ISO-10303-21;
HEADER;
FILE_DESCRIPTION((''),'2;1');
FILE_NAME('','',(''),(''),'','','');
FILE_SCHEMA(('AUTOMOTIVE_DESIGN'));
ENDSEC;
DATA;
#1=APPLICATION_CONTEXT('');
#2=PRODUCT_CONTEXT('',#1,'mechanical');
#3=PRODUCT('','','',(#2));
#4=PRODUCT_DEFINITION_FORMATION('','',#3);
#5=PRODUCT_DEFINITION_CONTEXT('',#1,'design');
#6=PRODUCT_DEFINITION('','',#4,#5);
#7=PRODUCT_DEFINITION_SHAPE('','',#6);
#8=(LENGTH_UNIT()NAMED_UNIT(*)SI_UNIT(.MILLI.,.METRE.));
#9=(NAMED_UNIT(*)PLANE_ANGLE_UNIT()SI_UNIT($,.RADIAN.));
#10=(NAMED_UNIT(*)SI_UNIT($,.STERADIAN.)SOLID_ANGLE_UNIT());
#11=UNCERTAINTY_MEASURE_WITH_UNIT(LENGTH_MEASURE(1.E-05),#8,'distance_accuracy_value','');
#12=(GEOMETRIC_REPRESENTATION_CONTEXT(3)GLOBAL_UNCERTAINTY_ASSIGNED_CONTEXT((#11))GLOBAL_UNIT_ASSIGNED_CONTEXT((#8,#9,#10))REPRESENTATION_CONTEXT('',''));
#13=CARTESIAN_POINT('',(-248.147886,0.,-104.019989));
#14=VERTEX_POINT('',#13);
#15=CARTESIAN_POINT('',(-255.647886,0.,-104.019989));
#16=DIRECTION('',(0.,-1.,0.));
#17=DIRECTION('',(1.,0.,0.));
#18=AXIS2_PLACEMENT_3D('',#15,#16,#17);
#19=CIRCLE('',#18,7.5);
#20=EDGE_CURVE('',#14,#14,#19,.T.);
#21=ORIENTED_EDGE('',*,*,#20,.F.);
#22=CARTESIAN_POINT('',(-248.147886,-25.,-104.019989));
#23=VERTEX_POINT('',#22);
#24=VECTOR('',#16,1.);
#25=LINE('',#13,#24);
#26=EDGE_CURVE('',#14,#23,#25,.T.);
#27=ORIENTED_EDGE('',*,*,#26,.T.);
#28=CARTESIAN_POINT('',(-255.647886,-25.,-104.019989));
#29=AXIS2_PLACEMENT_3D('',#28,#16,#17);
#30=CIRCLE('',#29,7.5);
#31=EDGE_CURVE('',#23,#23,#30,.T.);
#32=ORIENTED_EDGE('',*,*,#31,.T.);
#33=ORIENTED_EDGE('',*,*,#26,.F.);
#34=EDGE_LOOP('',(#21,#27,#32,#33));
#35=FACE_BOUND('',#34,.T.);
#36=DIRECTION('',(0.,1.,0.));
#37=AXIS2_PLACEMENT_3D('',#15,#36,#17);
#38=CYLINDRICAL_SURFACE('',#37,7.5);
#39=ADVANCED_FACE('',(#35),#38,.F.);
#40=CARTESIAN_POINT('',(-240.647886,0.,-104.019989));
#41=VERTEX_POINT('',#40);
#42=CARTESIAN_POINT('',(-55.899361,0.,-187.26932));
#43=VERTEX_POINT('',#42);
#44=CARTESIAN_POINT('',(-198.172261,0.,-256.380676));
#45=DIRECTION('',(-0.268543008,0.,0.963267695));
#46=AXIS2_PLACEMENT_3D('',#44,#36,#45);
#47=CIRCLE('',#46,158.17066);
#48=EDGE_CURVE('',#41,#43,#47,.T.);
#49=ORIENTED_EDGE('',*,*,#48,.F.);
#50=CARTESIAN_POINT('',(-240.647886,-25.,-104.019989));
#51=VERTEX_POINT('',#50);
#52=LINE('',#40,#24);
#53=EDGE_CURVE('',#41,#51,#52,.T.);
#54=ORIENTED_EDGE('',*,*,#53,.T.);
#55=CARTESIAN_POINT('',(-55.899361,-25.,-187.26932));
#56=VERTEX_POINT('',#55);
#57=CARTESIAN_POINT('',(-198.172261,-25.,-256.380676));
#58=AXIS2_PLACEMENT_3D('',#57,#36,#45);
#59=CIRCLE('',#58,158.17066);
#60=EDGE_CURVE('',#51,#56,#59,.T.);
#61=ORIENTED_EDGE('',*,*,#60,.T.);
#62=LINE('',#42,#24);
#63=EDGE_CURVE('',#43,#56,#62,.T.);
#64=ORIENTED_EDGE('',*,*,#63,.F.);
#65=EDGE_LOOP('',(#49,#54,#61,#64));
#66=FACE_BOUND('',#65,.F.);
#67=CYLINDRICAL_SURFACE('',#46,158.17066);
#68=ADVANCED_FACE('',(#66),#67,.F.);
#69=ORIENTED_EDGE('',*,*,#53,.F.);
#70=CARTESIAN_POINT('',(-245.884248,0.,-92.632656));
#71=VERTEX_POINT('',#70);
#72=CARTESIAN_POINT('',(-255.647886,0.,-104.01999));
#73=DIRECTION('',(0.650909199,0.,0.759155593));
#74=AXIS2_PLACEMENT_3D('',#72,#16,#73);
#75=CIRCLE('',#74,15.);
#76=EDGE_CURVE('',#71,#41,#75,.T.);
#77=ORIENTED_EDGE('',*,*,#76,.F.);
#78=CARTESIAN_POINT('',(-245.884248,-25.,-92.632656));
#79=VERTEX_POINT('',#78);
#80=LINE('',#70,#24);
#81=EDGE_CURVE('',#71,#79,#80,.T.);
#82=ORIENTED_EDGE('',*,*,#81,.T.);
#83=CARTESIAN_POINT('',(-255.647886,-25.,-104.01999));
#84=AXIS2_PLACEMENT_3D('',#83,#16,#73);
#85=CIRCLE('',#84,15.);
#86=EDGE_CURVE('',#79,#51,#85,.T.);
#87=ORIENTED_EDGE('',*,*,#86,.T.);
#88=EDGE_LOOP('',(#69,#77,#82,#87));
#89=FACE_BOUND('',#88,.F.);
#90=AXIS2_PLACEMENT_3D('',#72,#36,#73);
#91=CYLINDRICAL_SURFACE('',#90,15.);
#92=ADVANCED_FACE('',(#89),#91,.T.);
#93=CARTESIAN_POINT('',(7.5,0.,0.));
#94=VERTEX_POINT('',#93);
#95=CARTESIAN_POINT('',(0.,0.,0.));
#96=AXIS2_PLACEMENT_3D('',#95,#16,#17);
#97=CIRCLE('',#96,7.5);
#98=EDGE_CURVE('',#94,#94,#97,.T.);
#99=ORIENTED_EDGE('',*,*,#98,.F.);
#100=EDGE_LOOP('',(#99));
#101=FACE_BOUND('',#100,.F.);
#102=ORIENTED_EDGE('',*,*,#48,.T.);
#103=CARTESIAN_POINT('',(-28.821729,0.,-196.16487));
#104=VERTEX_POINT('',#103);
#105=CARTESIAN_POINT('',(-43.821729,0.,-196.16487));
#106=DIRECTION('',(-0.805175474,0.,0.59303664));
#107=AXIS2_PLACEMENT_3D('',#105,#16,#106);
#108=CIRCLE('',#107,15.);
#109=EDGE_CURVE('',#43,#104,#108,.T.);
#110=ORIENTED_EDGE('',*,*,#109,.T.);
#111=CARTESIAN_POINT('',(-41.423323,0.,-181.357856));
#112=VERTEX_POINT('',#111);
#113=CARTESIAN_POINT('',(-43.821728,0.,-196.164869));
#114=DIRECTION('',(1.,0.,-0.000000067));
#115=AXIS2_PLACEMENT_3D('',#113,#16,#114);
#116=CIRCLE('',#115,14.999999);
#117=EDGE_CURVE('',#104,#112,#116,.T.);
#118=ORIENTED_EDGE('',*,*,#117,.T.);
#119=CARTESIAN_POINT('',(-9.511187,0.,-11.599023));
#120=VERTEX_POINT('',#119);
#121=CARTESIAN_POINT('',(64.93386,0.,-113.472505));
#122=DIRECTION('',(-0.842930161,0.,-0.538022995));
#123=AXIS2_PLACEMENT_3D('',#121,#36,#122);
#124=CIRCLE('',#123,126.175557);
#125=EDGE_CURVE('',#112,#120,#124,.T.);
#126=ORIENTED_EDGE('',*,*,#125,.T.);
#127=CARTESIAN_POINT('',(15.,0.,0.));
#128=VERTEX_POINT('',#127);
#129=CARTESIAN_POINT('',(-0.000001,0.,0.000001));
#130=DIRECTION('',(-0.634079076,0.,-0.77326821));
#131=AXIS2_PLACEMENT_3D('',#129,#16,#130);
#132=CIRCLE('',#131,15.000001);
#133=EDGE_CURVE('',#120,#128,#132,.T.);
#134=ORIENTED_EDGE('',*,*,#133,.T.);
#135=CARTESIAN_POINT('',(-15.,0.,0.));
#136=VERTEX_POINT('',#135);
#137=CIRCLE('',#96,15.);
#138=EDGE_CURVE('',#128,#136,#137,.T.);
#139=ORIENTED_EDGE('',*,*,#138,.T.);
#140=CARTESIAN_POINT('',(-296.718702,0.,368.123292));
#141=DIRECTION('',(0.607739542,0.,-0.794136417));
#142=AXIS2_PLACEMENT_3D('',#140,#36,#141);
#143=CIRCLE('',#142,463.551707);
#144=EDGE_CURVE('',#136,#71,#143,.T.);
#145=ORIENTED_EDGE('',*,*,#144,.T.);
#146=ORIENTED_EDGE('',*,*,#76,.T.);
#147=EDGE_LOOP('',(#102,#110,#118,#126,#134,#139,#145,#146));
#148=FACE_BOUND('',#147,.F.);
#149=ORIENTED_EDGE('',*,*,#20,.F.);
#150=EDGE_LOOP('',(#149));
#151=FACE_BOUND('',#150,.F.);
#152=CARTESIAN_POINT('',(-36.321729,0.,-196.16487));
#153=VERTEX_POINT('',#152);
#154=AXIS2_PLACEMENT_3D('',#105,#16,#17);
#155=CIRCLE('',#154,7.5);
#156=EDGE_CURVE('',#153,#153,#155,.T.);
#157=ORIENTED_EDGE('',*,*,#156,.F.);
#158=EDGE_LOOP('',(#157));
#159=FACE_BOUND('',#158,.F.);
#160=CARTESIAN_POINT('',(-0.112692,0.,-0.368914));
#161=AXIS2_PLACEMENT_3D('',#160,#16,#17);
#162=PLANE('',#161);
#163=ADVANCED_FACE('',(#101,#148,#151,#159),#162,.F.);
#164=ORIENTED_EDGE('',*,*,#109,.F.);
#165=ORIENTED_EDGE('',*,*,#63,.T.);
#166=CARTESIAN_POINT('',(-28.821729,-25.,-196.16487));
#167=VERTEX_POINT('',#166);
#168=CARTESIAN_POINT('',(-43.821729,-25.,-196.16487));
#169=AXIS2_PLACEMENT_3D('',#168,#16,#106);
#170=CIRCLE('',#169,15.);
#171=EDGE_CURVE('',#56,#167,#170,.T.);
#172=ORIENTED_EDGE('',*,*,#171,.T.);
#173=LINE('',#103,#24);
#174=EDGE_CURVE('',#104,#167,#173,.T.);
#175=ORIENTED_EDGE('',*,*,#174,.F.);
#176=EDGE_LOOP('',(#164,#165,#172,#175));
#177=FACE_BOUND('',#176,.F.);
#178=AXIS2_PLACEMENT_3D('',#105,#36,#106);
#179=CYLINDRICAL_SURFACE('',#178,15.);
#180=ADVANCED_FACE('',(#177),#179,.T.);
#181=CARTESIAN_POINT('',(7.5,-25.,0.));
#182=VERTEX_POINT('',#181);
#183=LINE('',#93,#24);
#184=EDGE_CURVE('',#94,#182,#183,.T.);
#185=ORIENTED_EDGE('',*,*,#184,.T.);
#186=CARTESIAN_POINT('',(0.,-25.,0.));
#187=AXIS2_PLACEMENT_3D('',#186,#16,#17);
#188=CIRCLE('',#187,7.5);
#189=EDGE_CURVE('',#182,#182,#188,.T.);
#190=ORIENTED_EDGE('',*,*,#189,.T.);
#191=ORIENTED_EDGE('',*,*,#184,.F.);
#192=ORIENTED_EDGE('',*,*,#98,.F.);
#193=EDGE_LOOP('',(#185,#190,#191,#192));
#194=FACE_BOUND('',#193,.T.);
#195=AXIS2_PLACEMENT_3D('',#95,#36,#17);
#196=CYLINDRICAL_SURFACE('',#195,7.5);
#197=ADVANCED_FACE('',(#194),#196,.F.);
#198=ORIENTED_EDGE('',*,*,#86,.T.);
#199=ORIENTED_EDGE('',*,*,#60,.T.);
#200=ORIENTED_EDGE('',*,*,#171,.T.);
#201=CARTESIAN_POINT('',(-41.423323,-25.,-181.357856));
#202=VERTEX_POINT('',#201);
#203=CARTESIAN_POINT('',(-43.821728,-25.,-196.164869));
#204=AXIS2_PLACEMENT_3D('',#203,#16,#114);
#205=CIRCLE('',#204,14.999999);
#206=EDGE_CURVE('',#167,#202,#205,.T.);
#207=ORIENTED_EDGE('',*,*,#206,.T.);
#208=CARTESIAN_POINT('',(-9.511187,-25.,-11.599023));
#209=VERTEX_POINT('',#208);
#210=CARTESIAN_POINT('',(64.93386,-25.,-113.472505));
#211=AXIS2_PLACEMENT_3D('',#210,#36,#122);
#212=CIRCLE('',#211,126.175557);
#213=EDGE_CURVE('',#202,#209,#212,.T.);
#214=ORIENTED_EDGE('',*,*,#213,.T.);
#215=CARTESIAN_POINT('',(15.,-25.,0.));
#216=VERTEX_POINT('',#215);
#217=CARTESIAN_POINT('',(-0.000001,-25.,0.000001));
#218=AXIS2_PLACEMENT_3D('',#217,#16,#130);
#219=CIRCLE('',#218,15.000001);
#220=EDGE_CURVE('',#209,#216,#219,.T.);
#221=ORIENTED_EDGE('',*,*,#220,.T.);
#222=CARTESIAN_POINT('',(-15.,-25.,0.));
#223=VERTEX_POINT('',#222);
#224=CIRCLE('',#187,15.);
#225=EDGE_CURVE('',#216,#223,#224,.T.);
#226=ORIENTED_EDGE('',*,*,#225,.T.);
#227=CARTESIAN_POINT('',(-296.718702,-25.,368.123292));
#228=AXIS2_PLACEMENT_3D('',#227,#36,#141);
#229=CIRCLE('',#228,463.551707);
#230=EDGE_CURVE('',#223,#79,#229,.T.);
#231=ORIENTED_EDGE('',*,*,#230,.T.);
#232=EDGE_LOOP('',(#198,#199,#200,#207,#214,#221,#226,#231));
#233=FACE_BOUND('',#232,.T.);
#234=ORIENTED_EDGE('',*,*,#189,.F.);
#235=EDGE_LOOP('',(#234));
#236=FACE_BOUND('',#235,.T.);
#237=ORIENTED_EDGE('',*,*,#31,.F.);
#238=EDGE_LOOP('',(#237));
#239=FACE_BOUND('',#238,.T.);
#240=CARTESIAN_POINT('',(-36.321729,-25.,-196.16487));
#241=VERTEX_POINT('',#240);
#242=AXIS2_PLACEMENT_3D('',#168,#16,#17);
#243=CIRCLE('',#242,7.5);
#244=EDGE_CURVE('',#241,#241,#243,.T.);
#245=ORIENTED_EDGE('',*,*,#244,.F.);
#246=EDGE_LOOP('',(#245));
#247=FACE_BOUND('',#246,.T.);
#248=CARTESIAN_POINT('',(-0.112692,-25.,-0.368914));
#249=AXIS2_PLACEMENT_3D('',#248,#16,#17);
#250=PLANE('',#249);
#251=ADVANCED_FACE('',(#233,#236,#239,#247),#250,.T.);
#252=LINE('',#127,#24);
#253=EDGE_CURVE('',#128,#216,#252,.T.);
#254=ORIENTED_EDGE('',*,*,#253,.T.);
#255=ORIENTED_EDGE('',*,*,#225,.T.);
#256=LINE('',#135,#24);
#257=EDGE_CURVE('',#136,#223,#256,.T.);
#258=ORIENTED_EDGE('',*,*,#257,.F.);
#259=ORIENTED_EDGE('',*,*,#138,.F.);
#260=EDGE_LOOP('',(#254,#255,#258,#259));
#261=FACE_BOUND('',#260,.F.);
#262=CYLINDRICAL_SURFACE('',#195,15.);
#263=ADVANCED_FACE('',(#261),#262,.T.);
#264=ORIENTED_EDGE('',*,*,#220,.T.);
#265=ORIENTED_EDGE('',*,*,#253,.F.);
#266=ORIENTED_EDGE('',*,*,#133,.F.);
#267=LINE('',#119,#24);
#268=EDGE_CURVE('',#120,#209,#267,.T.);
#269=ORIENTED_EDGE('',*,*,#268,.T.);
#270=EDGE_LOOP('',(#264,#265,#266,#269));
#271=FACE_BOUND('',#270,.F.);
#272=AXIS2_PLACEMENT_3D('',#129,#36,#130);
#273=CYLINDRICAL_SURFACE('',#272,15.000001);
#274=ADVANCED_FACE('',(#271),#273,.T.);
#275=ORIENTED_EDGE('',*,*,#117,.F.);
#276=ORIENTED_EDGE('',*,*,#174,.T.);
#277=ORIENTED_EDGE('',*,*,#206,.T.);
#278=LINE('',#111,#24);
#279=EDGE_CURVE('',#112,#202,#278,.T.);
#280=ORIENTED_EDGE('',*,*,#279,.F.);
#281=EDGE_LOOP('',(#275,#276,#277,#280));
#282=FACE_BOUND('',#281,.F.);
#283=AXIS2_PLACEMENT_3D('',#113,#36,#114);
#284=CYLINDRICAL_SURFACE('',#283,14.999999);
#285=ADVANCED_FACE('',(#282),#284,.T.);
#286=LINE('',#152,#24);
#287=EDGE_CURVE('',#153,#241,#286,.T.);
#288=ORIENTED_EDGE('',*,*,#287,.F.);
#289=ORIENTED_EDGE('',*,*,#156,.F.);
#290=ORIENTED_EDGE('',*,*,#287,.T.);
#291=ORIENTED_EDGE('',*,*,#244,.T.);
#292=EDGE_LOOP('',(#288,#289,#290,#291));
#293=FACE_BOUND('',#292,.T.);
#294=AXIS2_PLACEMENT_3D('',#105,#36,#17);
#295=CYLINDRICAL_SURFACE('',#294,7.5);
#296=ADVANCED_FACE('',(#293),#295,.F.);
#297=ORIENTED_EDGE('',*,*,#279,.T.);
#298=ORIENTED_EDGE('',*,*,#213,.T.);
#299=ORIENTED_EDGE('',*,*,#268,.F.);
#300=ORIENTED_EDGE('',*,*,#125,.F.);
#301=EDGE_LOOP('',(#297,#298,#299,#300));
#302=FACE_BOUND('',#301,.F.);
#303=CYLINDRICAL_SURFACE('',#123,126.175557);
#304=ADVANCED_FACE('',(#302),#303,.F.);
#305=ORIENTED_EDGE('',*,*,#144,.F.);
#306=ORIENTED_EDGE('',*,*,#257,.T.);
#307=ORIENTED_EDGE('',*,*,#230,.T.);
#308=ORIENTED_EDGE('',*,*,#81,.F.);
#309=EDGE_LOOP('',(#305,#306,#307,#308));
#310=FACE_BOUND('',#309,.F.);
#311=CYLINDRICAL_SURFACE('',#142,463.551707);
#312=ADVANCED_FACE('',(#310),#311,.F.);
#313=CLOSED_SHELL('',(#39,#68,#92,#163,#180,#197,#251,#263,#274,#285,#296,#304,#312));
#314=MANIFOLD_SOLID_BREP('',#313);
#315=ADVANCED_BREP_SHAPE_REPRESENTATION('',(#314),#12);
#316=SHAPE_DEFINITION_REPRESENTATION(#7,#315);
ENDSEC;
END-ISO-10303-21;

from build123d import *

# Parameters (mm, degrees)
F0_R     = 7.5
F1_DEPTH = 25


with BuildPart() as f1:
    # F0 (on Front) → F1 (new body)
    with BuildSketch(Plane.XZ):
        with BuildLine():
            ThreePointArc((-9.511187, -11.599023), (6.416081, -13.558536), (15, 0))
            ThreePointArc((15, 0), (0, 15), (-15, 0))
            ThreePointArc((-15, 0), (-13.558536, -6.416081), (-9.511187, -11.599023))
        make_face()
        Circle(F0_R, mode=Mode.SUBTRACT)
        with BuildLine():
            ThreePointArc((-9.511187, -11.599023), (-13.558536, -6.416081), (-15, 0))
            ThreePointArc((-15, 0), (-124.111916, -62.094191), (-245.884248, -92.632656))
            ThreePointArc((-245.884248, -92.632656), (-242.019707, -97.753195), (-240.647886, -104.019989))
            ThreePointArc((-240.647886, -104.019989), (-133.191596, -112.174328), (-55.899361, -187.26932))
            ThreePointArc((-55.899361, -187.26932), (-49.492549, -182.278121), (-41.423323, -181.357856))
            ThreePointArc((-41.423323, -181.357856), (-59.069676, -90.161684), (-9.511187, -11.599023))
        make_face()
        with BuildLine():
            ThreePointArc((-240.647886, -104.019989), (-242.019707, -97.753195), (-245.884248, -92.632656))
            ThreePointArc((-245.884248, -92.632656), (-269.276066, -110.286784), (-240.647886, -104.019989))
        make_face()
        with Locations((-255.647886, -104.019989)):
            Circle(F0_R, mode=Mode.SUBTRACT)
        with BuildLine():
            ThreePointArc((-28.821729, -196.16487), (-32.398592, -186.443144), (-41.423323, -181.357856))
            ThreePointArc((-41.423323, -181.357856), (-49.492549, -182.278121), (-55.899361, -187.26932))
            ThreePointArc((-55.899361, -187.26932), (-48.50337, -210.415562), (-28.821729, -196.16487))
        make_face()
        with Locations((-43.821729, -196.16487)):
            Circle(F0_R, mode=Mode.SUBTRACT)
    extrude(amount=F1_DEPTH)


solid = f1.part
